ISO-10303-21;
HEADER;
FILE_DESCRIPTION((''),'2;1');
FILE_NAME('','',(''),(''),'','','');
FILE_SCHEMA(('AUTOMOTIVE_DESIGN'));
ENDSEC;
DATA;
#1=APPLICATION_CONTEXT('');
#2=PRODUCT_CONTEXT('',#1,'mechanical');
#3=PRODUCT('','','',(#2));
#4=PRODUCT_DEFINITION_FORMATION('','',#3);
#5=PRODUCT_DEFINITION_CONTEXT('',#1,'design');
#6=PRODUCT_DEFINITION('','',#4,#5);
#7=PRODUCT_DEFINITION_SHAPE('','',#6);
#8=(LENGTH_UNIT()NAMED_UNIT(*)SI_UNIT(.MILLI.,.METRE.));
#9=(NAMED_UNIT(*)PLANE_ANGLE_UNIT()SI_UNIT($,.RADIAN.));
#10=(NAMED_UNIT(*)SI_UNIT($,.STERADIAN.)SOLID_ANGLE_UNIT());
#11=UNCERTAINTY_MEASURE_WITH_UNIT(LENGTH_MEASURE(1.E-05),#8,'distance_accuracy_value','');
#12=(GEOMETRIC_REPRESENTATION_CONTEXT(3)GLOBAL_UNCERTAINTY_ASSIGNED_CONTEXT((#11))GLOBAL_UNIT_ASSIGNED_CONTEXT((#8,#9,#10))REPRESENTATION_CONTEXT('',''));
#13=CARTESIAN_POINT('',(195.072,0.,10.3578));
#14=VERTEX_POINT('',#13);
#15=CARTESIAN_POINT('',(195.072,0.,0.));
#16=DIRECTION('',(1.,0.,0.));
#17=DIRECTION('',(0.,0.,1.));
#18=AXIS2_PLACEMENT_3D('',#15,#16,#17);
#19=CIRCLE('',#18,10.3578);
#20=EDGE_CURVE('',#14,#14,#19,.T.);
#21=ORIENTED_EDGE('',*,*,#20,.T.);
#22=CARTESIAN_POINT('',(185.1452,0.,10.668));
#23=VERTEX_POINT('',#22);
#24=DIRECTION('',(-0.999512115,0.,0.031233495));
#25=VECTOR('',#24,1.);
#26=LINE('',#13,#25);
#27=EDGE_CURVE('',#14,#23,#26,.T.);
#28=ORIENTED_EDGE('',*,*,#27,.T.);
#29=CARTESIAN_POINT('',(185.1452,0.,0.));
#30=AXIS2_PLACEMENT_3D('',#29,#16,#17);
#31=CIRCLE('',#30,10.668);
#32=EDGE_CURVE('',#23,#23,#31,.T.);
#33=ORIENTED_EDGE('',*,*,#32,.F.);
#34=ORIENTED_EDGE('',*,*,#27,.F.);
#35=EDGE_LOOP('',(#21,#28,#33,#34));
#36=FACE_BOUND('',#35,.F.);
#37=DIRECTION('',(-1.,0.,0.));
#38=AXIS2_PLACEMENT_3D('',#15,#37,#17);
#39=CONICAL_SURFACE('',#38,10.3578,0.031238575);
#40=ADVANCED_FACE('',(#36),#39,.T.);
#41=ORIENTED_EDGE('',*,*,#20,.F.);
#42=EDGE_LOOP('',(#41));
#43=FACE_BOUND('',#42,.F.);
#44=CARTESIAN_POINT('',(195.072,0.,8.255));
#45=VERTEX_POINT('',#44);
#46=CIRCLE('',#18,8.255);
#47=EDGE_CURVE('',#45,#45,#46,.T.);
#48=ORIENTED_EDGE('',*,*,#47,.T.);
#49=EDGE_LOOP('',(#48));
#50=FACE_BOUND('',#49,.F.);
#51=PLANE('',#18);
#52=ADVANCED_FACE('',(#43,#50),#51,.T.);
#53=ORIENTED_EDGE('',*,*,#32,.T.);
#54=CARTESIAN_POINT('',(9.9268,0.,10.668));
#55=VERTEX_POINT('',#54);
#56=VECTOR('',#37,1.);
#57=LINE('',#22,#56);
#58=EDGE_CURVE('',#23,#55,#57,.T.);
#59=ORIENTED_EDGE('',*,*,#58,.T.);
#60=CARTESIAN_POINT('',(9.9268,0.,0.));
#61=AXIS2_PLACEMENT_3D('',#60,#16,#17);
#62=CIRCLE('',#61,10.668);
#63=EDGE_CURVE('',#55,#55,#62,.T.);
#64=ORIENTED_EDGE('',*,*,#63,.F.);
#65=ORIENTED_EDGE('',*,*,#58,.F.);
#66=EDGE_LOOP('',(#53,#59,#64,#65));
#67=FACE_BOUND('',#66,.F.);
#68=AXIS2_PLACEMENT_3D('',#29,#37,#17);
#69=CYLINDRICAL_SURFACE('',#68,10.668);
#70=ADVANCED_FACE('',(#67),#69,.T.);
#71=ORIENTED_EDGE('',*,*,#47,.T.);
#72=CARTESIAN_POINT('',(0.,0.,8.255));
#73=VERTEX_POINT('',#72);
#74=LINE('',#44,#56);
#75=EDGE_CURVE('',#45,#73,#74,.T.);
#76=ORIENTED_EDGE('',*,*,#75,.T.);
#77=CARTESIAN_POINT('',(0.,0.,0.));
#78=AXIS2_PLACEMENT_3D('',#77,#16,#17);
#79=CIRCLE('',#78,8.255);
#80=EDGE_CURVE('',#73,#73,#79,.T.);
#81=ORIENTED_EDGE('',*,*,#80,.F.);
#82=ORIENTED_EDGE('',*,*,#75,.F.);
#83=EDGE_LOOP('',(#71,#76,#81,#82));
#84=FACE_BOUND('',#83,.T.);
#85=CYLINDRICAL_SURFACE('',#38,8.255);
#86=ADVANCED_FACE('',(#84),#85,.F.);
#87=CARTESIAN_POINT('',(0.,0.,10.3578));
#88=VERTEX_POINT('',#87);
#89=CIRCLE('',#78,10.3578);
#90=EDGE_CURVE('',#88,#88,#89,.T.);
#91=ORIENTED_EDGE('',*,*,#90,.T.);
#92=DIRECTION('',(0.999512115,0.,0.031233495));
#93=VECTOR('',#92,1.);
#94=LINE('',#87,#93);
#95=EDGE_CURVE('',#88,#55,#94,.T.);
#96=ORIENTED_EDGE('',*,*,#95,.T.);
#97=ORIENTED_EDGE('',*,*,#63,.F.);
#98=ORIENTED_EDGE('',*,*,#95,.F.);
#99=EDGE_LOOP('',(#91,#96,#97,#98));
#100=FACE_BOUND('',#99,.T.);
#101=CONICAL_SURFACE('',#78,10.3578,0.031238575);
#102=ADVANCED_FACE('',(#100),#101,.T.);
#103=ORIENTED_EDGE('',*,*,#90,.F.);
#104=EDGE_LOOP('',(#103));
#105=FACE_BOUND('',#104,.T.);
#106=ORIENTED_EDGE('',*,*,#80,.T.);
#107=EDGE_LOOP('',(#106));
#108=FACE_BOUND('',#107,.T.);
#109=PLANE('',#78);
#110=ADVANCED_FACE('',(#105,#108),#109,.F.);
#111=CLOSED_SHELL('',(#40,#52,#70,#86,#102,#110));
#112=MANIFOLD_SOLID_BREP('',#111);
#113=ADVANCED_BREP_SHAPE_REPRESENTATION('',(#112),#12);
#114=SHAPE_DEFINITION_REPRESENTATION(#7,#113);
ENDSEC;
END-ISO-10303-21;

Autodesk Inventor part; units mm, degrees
ref_plane "YZ Plane" through (0, 0, 0) normal (1, 0, 0) x (0, 1, 0)
ref_plane "XZ Plane" through (0, 0, 0) normal (0, 1, 0) x (-1, 0, 0)
ref_plane "XY Plane" through (0, 0, 0) normal (0, 0, 1) x (1, 0, 0)
sketch "Sketch1" plane through (0, 0, 0) normal (0, 1, 0) x (-1, 0, 0)
  line L0 (0, 0) -> (-195.072, 0)
  line L1 (-195.072, 0) -> (-195.072, 8.255) construction
  line L2 (-195.072, 8.255) -> (-195.072, 10.3578)
  line L3 (-195.072, 10.3578) -> (-185.1452, 10.668)
  line L4 (-185.1452, 10.668) -> (-9.9268, 10.668)
  line L5 (-97.536, 0) -> (-97.536, 10.668) construction
  line L6 (-195.072, 8.255) -> (0, 8.255)
  line L7 (0, 0) -> (0, 8.255) construction
  line L8 (0, 8.255) -> (0, 10.3578)
  line L9 (0, 10.3578) -> (-9.9268, 10.668)
  line L10 (-181.516, 10.7814) -> (-181.516, 0) construction
  line L11 (-13.556, 10.7814) -> (-13.556, 0) construction
  line L12 (-185.1452, 10.668) -> (-181.516, 10.7814) construction
  line L13 (-185.1452, 10.668) -> (-185.1452, 0) construction
  line L14 (-9.9268, 10.668) -> (-13.556, 10.7814) construction
  line L15 (-9.9268, 10.668) -> (-9.9268, 0) construction
  dimension "d0" = 21.336
  dimension "d1" = 1.79
  dimension "d2" = 16.51
  dimension "d3" = 195.072
  dimension "d4" = 13.556
  dimension "d5" = 21.5628
revolve "Revolution1" add sketch "Sketch1" angle 360 about axis through (0, 0, 0) along (1, 0, 0)
thread "Thread1" size "1/2" designation "1/2 - 14 NPT" standard "NPT" full length
thread "Thread2" size "1/2" designation "1/2 - 14 NPT" standard "NPT" full length
equation "\"d0\" = OD"
equation "\"d2\" = ID"
equation "\"d3\" = L"
equation "\"d4\" = L2"
equation "\"d5\" = D2"
equation "\"OD\" = 21.336"
equation "\"t\" = 2.413"
equation "\"L\" = PL"
equation "\"L4\" = 19.8501"
equation "\"ID\" = 16.51"
equation "\"PL\" = 195.072"
equation "\"D2\" = 21.56282"
equation "\"L2\" = 13.55598"
equation "\"Size_Designation\" = 1.2345"
equation "\"PLmin\" = 2 * L2"
properties material "Steel, Wrought"
